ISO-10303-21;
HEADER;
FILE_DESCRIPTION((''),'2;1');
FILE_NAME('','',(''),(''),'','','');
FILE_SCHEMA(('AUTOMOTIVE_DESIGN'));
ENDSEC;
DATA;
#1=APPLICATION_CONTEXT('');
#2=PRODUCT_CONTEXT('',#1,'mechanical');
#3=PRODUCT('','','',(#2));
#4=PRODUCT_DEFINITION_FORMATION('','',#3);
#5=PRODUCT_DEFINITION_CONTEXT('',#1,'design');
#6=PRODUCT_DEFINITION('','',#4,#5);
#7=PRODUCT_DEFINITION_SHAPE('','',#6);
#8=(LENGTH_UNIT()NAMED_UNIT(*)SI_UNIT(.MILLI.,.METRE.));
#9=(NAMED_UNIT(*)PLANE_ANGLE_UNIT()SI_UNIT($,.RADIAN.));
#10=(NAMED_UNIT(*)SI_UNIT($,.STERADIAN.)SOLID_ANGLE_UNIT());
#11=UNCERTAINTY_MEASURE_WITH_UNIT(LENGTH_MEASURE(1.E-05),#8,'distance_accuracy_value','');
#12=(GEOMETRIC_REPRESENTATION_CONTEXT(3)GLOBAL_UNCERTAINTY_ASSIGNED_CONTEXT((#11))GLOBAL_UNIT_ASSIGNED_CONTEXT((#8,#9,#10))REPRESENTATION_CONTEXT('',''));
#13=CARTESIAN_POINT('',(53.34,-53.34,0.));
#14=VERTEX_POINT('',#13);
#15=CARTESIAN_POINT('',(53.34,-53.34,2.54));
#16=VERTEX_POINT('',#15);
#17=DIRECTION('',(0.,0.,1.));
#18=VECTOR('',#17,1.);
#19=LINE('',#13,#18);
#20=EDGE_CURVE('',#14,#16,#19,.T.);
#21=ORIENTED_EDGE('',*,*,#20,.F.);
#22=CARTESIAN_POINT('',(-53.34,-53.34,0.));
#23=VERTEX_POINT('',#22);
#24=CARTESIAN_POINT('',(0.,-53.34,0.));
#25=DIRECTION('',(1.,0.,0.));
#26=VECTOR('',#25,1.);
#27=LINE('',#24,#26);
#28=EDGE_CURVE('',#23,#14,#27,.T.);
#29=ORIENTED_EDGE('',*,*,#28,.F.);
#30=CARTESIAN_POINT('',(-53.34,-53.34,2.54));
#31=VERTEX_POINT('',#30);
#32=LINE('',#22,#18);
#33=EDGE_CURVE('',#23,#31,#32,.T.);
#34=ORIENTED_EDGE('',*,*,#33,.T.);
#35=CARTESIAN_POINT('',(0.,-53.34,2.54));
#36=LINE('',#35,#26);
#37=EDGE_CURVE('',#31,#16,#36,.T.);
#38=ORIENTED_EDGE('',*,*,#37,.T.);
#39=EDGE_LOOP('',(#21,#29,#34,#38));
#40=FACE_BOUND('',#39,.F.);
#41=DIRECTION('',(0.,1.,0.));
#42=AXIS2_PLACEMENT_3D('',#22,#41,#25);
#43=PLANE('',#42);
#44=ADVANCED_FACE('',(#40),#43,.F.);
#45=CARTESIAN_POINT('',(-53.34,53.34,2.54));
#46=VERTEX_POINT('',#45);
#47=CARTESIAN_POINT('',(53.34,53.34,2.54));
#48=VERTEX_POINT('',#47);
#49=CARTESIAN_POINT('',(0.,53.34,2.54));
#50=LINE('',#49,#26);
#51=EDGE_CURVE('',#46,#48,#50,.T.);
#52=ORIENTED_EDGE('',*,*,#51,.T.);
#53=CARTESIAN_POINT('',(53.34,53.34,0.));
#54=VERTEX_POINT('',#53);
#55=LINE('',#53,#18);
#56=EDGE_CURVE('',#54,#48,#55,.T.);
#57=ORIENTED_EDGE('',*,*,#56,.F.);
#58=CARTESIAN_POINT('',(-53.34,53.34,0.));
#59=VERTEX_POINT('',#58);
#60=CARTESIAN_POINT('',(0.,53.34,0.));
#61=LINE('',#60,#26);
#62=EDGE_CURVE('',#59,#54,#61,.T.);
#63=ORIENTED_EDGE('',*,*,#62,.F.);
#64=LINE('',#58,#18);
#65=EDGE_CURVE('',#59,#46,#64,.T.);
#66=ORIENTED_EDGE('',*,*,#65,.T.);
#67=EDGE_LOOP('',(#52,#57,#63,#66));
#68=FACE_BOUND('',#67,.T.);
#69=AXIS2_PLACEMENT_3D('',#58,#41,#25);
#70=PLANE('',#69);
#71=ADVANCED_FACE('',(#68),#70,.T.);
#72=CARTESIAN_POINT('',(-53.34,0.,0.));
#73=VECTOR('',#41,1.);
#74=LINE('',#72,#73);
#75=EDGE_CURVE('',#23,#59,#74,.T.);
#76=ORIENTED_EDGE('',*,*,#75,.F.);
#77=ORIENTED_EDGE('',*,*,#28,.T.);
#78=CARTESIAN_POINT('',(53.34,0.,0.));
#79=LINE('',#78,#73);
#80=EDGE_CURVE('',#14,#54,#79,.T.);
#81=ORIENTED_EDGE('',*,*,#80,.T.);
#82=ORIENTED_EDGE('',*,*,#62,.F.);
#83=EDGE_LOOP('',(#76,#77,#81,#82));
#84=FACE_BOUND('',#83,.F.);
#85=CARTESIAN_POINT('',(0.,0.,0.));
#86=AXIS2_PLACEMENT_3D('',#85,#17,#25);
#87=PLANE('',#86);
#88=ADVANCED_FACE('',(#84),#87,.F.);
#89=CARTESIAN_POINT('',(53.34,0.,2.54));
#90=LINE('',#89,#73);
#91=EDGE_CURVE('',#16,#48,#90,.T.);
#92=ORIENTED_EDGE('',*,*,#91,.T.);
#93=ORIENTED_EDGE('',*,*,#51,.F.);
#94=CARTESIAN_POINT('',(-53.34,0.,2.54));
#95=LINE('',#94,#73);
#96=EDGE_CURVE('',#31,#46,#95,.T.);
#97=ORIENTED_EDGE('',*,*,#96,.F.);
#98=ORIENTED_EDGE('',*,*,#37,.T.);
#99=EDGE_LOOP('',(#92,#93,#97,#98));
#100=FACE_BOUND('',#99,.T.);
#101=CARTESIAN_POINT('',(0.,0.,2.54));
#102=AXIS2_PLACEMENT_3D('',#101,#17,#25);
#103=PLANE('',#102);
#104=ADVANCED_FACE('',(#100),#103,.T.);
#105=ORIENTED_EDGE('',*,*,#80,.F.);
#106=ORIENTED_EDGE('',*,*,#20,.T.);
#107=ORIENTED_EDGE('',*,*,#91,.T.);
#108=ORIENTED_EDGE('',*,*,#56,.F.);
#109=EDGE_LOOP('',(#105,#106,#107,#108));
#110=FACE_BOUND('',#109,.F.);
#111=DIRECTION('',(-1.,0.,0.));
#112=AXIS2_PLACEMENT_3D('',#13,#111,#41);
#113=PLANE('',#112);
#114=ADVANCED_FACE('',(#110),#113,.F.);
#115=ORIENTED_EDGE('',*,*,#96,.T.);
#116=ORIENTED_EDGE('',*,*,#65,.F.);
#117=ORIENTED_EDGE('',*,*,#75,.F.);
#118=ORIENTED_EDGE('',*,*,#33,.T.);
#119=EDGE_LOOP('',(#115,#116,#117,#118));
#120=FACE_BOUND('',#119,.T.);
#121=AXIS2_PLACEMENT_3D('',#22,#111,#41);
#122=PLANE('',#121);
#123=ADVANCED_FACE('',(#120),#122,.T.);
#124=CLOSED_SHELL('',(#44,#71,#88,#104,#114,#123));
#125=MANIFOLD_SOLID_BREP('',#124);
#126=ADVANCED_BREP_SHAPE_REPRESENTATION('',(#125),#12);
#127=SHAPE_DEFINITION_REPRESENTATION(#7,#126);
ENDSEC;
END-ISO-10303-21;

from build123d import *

# Parameters (mm, degrees)
SKETCH1_W           = 106.68
SKETCH1_H           = 106.68
BOSS_EXTRUDE1_DEPTH = 2.54


with BuildPart() as part:
    # Sketch1 → Boss-Extrude1 (new body)
    with BuildSketch(Plane.XY):
        Rectangle(SKETCH1_W, SKETCH1_H)
    extrude(amount=BOSS_EXTRUDE1_DEPTH)


solid = part.part
